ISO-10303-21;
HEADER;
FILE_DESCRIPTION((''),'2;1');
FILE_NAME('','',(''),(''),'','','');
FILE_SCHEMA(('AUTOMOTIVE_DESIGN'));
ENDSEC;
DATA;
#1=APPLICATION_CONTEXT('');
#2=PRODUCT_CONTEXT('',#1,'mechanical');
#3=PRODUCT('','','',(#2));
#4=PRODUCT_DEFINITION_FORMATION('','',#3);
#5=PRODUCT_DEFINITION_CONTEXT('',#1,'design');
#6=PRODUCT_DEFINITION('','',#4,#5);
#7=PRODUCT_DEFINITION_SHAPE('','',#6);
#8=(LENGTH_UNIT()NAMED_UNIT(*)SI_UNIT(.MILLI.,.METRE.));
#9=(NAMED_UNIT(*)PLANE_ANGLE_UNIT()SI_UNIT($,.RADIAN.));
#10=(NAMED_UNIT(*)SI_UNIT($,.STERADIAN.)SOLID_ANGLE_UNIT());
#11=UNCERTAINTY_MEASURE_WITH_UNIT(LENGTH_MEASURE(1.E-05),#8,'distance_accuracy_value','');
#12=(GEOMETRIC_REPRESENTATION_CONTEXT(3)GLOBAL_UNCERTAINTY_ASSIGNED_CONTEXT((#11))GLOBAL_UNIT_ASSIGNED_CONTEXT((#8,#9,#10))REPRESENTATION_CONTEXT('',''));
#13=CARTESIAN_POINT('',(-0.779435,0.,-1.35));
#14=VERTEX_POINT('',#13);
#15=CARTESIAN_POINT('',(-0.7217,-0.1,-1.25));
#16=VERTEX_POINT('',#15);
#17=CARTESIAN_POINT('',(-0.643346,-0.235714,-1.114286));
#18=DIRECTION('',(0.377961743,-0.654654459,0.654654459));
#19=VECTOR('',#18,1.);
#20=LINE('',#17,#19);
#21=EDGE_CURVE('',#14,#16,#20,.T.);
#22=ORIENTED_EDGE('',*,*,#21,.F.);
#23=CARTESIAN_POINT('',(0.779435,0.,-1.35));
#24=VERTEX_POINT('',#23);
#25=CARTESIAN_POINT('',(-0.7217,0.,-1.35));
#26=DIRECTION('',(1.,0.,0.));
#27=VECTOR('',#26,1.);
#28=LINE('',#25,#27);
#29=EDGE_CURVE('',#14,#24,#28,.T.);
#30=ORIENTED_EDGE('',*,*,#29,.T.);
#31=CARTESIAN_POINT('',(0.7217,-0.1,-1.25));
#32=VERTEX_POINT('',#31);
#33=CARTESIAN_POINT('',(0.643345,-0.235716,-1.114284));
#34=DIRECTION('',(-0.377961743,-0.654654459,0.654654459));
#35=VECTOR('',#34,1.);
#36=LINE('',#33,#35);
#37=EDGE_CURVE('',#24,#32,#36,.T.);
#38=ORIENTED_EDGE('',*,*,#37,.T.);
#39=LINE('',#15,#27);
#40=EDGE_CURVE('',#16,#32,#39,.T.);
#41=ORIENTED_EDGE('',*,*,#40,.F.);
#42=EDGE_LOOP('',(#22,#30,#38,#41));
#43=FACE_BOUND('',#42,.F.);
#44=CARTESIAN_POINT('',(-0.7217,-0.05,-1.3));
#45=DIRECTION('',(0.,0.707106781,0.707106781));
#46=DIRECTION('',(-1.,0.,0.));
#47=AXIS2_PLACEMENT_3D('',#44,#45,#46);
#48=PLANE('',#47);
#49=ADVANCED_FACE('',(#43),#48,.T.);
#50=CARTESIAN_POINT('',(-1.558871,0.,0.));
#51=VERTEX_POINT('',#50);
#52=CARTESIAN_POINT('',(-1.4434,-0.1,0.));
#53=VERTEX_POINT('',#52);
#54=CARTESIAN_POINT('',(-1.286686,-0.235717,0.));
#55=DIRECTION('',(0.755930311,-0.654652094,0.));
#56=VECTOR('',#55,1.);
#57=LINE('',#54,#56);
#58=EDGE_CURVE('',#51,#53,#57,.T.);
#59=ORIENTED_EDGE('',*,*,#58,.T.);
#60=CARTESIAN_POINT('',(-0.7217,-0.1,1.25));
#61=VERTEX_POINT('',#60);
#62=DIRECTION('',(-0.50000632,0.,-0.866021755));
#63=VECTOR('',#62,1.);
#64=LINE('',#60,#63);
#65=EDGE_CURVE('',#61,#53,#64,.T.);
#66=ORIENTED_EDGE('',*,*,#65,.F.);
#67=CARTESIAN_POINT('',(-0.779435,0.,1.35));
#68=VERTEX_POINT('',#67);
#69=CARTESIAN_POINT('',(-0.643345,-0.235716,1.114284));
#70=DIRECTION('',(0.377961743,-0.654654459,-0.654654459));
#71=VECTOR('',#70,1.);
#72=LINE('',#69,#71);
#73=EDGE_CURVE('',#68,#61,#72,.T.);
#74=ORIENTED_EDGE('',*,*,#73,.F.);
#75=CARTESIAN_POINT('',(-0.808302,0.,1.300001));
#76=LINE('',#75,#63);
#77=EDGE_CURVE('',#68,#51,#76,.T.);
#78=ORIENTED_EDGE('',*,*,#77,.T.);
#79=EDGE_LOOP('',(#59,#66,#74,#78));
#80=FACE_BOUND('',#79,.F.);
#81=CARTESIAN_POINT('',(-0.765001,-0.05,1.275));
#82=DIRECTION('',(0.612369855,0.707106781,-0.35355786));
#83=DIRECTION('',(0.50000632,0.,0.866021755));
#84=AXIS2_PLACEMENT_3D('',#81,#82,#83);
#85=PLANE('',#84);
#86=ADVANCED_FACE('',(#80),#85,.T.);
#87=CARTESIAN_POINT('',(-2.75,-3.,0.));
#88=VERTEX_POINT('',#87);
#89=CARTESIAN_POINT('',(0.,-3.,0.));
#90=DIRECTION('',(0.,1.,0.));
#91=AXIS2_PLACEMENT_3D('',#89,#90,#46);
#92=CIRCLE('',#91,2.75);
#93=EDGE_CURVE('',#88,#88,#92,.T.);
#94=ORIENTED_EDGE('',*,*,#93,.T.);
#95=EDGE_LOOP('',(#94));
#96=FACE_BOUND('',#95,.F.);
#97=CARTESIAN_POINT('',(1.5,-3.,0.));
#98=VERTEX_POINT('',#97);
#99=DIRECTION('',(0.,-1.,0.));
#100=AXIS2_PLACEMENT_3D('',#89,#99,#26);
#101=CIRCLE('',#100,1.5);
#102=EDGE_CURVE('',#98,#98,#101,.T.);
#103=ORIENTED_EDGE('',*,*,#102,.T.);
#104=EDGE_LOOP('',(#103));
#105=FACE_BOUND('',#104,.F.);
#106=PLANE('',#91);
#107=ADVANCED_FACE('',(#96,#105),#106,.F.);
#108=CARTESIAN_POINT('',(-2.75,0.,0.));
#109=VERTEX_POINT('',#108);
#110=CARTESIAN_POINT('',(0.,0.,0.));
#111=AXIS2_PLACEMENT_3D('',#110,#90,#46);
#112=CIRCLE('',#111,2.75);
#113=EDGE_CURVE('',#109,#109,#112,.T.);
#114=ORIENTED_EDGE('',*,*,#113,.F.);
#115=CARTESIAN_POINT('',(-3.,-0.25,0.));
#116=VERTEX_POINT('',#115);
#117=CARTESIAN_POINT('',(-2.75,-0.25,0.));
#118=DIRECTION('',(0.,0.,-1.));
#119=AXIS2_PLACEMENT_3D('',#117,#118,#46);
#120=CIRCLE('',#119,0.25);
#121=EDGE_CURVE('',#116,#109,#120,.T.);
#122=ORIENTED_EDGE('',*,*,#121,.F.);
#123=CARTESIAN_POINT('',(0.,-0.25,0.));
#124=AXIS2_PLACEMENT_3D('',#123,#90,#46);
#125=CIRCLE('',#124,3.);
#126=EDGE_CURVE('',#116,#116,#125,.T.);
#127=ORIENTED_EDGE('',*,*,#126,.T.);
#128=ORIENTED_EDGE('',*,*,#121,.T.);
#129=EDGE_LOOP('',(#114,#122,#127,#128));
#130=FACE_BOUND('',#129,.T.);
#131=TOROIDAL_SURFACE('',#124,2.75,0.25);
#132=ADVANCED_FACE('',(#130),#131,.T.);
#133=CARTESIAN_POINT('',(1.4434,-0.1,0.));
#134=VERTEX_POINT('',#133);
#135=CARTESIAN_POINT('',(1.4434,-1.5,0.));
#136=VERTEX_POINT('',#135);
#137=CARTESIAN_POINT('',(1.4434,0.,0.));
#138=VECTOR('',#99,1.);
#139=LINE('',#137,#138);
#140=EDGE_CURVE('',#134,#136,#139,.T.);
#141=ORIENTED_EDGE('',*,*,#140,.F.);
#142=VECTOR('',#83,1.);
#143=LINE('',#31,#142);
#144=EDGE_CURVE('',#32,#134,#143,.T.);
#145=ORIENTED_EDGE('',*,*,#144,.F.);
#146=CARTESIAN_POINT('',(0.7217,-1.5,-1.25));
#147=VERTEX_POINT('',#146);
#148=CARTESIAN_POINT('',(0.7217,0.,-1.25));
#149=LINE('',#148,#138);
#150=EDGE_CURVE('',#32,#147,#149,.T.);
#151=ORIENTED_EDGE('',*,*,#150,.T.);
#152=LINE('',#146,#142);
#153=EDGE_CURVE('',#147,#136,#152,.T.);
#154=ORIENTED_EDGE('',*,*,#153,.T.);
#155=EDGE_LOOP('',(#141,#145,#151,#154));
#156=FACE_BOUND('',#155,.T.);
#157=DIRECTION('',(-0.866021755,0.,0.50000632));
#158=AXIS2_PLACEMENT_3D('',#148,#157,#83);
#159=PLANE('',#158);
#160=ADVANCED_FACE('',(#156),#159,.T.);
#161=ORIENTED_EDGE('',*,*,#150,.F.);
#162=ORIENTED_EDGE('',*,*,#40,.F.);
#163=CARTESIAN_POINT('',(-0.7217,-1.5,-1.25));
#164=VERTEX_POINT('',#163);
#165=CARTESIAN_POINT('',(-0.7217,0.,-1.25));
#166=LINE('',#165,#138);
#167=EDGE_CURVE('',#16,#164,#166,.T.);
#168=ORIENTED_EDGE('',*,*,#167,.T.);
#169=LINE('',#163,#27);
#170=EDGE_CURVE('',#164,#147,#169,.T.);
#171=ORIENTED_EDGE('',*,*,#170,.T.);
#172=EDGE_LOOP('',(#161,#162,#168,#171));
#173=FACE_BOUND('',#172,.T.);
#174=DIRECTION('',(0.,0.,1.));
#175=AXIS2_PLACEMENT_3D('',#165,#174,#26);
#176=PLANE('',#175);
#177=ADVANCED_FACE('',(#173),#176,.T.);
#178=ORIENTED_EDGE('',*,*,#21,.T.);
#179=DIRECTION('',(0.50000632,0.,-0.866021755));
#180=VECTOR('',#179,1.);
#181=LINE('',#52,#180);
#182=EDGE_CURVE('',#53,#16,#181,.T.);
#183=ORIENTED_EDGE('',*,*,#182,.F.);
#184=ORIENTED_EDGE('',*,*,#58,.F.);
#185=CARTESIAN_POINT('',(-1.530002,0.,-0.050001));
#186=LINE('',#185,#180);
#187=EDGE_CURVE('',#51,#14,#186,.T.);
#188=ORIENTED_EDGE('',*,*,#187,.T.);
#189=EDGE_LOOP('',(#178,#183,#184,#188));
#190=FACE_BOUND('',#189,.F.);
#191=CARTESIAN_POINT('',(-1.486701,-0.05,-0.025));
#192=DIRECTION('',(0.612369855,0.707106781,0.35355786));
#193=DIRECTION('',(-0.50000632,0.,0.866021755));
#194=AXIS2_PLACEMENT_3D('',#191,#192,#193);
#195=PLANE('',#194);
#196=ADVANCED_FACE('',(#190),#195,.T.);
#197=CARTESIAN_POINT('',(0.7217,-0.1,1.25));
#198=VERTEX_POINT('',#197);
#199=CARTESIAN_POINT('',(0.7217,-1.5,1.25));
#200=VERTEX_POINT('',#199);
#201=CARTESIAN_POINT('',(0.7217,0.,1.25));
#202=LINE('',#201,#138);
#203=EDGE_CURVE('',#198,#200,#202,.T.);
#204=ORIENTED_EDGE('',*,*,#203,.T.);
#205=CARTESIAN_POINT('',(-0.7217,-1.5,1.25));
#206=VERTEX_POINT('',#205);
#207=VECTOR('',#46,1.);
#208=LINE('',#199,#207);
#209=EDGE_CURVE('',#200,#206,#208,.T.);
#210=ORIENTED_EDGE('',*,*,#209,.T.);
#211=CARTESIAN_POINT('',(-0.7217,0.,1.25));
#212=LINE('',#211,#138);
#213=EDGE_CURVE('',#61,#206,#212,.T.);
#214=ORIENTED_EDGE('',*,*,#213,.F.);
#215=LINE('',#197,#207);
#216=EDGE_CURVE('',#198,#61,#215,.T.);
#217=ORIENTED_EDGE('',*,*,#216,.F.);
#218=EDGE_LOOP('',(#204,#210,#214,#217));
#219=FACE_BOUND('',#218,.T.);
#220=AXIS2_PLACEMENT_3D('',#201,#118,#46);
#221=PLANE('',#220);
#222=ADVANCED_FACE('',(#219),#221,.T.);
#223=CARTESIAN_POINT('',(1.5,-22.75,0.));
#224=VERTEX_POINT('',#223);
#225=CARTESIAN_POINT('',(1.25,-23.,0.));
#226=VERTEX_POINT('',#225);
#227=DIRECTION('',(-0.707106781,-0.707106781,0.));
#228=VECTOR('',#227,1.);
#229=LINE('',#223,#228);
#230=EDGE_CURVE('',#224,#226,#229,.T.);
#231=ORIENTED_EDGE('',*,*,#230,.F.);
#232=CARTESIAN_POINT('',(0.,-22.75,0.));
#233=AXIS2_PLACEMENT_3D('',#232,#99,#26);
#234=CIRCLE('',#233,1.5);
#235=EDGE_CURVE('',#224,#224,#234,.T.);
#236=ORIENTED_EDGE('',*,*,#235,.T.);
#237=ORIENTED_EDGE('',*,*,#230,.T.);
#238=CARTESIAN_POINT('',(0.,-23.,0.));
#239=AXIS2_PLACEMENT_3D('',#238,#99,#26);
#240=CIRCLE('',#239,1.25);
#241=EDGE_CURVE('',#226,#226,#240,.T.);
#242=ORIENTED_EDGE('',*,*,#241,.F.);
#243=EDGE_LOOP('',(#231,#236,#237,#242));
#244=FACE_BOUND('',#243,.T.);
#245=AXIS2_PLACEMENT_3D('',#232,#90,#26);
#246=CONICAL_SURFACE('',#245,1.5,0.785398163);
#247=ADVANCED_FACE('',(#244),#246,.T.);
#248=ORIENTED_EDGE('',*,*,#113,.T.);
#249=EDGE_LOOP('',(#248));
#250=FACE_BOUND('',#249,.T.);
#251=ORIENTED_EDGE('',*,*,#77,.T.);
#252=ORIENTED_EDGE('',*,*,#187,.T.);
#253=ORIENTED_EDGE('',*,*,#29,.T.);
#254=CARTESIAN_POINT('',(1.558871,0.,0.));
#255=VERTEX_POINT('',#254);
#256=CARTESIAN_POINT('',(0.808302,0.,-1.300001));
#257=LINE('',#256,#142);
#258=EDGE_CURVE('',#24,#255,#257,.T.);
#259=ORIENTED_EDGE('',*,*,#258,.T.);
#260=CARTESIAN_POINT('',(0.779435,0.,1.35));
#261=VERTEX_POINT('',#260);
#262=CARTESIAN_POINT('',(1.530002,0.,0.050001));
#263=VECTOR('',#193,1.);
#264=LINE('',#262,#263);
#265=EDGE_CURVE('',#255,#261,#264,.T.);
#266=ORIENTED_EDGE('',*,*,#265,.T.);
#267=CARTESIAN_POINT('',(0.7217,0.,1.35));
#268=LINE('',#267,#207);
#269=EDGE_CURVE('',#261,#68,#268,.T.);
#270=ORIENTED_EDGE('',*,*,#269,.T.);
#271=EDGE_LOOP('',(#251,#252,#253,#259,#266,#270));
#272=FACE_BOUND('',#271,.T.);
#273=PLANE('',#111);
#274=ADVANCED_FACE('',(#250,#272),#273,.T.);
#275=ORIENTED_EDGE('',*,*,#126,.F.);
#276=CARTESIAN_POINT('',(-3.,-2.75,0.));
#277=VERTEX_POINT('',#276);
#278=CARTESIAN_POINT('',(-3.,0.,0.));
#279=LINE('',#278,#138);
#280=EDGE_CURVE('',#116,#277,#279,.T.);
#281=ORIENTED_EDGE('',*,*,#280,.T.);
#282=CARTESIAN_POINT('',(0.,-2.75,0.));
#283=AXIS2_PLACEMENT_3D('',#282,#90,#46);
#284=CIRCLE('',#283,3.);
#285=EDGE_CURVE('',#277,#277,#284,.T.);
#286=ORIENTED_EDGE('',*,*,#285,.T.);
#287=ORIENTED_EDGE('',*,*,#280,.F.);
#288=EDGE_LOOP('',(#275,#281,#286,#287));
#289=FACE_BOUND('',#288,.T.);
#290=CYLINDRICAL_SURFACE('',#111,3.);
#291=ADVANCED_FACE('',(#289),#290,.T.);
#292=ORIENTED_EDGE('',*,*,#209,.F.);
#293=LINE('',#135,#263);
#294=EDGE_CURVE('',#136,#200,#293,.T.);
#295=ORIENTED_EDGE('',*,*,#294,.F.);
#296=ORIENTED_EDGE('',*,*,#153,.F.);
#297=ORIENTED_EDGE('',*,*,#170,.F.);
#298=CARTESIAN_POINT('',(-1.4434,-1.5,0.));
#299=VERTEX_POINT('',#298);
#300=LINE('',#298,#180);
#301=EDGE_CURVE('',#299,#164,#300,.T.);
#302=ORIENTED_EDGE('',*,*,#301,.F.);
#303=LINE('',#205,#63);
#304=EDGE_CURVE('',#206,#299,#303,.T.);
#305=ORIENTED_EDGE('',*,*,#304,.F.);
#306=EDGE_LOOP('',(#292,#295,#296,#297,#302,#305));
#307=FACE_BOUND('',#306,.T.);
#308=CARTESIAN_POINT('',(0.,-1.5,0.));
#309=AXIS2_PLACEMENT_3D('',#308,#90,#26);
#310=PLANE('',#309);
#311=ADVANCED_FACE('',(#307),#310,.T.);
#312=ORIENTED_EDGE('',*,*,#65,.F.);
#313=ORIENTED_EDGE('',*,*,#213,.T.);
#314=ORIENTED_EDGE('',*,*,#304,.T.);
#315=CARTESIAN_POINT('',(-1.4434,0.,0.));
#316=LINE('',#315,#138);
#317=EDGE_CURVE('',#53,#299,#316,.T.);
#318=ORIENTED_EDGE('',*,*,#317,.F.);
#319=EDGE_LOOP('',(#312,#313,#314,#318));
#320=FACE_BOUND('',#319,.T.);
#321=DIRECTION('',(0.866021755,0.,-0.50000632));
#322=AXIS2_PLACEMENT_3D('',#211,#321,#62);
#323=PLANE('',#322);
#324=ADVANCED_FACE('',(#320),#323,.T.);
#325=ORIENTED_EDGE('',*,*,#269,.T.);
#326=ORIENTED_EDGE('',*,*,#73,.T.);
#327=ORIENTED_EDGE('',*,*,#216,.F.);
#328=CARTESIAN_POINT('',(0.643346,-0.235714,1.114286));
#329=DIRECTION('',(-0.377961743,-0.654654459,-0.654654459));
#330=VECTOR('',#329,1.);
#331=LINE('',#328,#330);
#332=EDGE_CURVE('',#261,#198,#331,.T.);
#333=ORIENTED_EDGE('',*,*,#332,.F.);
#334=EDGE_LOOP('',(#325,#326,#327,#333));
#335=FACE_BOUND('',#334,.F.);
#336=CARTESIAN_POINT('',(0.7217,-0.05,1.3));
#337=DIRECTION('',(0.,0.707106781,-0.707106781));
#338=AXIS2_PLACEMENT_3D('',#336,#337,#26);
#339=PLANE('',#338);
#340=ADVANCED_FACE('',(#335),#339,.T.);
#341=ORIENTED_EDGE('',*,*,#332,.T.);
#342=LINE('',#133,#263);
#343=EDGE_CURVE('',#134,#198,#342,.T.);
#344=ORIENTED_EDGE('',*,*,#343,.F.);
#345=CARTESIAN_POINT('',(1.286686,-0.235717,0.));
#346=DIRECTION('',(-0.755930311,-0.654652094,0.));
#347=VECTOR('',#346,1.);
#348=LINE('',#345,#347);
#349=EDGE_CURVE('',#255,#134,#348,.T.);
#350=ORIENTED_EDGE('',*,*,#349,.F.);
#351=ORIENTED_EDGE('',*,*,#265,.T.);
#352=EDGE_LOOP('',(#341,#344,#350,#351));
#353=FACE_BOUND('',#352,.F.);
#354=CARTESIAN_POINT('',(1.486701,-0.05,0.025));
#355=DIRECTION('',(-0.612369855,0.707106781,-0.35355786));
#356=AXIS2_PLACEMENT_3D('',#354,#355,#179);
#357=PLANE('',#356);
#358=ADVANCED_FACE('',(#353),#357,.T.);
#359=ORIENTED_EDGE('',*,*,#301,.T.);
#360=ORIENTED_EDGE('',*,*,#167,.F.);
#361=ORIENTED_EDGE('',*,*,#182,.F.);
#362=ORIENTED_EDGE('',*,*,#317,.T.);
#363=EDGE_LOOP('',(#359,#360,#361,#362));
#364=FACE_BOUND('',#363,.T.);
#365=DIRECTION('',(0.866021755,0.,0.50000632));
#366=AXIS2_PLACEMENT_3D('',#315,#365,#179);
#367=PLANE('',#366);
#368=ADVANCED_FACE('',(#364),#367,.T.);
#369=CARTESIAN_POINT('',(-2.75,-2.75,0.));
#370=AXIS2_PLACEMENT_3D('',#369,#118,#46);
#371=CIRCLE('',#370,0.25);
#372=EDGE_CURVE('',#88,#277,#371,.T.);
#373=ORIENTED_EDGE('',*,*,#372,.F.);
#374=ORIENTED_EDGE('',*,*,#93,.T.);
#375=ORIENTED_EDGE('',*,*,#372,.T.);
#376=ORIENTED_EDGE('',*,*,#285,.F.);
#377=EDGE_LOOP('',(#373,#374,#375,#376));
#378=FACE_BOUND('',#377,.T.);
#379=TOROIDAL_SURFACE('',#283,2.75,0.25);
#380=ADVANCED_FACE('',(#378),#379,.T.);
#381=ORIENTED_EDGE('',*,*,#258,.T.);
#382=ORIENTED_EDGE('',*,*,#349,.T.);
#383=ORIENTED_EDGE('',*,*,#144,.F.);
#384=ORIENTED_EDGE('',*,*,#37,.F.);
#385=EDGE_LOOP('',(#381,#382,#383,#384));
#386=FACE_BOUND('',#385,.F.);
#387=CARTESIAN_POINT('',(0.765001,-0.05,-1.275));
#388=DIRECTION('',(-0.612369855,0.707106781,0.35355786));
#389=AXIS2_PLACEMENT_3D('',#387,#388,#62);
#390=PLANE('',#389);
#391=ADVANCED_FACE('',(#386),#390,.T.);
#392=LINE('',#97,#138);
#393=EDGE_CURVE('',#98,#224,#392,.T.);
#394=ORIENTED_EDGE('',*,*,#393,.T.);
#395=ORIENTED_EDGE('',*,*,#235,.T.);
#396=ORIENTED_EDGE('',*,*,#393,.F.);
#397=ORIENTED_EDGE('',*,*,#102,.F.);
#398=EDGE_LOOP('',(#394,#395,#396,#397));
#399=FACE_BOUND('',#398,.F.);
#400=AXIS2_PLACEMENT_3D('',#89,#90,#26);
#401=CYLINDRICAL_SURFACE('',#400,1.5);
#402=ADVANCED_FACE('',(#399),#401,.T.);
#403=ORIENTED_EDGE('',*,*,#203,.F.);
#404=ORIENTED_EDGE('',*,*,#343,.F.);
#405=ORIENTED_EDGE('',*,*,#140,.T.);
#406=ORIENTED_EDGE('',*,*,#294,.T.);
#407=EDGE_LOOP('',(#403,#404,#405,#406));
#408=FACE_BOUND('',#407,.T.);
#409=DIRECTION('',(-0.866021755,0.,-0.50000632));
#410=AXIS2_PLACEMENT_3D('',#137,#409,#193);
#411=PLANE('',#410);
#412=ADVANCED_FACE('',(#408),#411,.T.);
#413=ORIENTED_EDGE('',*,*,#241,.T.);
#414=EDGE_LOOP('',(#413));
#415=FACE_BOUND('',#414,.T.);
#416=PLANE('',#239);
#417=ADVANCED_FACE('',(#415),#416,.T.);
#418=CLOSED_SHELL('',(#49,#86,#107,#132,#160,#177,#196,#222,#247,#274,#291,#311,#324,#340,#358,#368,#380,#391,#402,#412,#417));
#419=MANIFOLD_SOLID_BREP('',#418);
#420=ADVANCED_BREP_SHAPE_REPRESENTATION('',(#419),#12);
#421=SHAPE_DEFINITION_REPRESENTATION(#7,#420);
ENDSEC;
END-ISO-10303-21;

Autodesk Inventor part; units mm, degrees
ref_plane "YZ Plane" through (0, 0, 0) normal (1, 0, 0) x (0, 1, 0)
ref_plane "XZ Plane" through (0, 0, 0) normal (0, 1, 0) x (-1, 0, 0)
ref_plane "XY Plane" through (0, 0, 0) normal (0, 0, 1) x (1, 0, 0)
sketch "Sketch1" plane through (0, 0, 0) normal (0, 1, 0) x (-1, 0, 0)
  circle A0 centre (0, 0) radius 3
  dimension "d0" = 6
extrude "Extrusion1" add sketch "Sketch1" against normal blind 3
sketch "Sketch2" plane through (0, -3, 0) normal (0, -1, 0) x (1, 0, 0)
  circle A0 centre (0, 0) radius 1.5
  dimension "d3" = 3
extrude "Extrusion2" add sketch "Sketch2" along normal blind 20
sketch "Sketch3" plane through (0, 0, 0) normal (0, 1, 0) x (1, 0, 0)
  circle A0 centre (0, 0) radius 1.5 construction
  line L0 (1.4434, 0) -> (0.7217, -1.25)
  line L1 (0.7217, -1.25) -> (-0.7217, -1.25)
  line L2 (-0.7217, -1.25) -> (-1.4434, 0)
  line L3 (-1.4434, 0) -> (-0.7217, 1.25)
  line L4 (-0.7217, 1.25) -> (0.7217, 1.25)
  line L5 (0.7217, 1.25) -> (1.4434, 0)
  dimension "d8" = 2.5
extrude "Extrusion3" cut sketch "Sketch3" against normal blind 1.5
chamfer "Chamfer1" distance 0.25 angle 45 1 edges at (-1.5, -23, 0)
fillet "Fillet1" radius 0.25 2 edges at (3, 0, 0) (3, -3, 0)
chamfer "Chamfer2" distance 0.1 angle 45 6 edges at (0, 0, -1.25) (1.0825, 0, -0.625) (1.0825, 0, 0.625) (0, 0, 1.25) (-1.0825, 0, 0.625) (-1.0825, 0, -0.625)
thread "Thread2" size "M3x0.5" class "6g" standard "ANSI Metric M Profile" full length
properties part number "M3-20" material "Steel, Carbon"
